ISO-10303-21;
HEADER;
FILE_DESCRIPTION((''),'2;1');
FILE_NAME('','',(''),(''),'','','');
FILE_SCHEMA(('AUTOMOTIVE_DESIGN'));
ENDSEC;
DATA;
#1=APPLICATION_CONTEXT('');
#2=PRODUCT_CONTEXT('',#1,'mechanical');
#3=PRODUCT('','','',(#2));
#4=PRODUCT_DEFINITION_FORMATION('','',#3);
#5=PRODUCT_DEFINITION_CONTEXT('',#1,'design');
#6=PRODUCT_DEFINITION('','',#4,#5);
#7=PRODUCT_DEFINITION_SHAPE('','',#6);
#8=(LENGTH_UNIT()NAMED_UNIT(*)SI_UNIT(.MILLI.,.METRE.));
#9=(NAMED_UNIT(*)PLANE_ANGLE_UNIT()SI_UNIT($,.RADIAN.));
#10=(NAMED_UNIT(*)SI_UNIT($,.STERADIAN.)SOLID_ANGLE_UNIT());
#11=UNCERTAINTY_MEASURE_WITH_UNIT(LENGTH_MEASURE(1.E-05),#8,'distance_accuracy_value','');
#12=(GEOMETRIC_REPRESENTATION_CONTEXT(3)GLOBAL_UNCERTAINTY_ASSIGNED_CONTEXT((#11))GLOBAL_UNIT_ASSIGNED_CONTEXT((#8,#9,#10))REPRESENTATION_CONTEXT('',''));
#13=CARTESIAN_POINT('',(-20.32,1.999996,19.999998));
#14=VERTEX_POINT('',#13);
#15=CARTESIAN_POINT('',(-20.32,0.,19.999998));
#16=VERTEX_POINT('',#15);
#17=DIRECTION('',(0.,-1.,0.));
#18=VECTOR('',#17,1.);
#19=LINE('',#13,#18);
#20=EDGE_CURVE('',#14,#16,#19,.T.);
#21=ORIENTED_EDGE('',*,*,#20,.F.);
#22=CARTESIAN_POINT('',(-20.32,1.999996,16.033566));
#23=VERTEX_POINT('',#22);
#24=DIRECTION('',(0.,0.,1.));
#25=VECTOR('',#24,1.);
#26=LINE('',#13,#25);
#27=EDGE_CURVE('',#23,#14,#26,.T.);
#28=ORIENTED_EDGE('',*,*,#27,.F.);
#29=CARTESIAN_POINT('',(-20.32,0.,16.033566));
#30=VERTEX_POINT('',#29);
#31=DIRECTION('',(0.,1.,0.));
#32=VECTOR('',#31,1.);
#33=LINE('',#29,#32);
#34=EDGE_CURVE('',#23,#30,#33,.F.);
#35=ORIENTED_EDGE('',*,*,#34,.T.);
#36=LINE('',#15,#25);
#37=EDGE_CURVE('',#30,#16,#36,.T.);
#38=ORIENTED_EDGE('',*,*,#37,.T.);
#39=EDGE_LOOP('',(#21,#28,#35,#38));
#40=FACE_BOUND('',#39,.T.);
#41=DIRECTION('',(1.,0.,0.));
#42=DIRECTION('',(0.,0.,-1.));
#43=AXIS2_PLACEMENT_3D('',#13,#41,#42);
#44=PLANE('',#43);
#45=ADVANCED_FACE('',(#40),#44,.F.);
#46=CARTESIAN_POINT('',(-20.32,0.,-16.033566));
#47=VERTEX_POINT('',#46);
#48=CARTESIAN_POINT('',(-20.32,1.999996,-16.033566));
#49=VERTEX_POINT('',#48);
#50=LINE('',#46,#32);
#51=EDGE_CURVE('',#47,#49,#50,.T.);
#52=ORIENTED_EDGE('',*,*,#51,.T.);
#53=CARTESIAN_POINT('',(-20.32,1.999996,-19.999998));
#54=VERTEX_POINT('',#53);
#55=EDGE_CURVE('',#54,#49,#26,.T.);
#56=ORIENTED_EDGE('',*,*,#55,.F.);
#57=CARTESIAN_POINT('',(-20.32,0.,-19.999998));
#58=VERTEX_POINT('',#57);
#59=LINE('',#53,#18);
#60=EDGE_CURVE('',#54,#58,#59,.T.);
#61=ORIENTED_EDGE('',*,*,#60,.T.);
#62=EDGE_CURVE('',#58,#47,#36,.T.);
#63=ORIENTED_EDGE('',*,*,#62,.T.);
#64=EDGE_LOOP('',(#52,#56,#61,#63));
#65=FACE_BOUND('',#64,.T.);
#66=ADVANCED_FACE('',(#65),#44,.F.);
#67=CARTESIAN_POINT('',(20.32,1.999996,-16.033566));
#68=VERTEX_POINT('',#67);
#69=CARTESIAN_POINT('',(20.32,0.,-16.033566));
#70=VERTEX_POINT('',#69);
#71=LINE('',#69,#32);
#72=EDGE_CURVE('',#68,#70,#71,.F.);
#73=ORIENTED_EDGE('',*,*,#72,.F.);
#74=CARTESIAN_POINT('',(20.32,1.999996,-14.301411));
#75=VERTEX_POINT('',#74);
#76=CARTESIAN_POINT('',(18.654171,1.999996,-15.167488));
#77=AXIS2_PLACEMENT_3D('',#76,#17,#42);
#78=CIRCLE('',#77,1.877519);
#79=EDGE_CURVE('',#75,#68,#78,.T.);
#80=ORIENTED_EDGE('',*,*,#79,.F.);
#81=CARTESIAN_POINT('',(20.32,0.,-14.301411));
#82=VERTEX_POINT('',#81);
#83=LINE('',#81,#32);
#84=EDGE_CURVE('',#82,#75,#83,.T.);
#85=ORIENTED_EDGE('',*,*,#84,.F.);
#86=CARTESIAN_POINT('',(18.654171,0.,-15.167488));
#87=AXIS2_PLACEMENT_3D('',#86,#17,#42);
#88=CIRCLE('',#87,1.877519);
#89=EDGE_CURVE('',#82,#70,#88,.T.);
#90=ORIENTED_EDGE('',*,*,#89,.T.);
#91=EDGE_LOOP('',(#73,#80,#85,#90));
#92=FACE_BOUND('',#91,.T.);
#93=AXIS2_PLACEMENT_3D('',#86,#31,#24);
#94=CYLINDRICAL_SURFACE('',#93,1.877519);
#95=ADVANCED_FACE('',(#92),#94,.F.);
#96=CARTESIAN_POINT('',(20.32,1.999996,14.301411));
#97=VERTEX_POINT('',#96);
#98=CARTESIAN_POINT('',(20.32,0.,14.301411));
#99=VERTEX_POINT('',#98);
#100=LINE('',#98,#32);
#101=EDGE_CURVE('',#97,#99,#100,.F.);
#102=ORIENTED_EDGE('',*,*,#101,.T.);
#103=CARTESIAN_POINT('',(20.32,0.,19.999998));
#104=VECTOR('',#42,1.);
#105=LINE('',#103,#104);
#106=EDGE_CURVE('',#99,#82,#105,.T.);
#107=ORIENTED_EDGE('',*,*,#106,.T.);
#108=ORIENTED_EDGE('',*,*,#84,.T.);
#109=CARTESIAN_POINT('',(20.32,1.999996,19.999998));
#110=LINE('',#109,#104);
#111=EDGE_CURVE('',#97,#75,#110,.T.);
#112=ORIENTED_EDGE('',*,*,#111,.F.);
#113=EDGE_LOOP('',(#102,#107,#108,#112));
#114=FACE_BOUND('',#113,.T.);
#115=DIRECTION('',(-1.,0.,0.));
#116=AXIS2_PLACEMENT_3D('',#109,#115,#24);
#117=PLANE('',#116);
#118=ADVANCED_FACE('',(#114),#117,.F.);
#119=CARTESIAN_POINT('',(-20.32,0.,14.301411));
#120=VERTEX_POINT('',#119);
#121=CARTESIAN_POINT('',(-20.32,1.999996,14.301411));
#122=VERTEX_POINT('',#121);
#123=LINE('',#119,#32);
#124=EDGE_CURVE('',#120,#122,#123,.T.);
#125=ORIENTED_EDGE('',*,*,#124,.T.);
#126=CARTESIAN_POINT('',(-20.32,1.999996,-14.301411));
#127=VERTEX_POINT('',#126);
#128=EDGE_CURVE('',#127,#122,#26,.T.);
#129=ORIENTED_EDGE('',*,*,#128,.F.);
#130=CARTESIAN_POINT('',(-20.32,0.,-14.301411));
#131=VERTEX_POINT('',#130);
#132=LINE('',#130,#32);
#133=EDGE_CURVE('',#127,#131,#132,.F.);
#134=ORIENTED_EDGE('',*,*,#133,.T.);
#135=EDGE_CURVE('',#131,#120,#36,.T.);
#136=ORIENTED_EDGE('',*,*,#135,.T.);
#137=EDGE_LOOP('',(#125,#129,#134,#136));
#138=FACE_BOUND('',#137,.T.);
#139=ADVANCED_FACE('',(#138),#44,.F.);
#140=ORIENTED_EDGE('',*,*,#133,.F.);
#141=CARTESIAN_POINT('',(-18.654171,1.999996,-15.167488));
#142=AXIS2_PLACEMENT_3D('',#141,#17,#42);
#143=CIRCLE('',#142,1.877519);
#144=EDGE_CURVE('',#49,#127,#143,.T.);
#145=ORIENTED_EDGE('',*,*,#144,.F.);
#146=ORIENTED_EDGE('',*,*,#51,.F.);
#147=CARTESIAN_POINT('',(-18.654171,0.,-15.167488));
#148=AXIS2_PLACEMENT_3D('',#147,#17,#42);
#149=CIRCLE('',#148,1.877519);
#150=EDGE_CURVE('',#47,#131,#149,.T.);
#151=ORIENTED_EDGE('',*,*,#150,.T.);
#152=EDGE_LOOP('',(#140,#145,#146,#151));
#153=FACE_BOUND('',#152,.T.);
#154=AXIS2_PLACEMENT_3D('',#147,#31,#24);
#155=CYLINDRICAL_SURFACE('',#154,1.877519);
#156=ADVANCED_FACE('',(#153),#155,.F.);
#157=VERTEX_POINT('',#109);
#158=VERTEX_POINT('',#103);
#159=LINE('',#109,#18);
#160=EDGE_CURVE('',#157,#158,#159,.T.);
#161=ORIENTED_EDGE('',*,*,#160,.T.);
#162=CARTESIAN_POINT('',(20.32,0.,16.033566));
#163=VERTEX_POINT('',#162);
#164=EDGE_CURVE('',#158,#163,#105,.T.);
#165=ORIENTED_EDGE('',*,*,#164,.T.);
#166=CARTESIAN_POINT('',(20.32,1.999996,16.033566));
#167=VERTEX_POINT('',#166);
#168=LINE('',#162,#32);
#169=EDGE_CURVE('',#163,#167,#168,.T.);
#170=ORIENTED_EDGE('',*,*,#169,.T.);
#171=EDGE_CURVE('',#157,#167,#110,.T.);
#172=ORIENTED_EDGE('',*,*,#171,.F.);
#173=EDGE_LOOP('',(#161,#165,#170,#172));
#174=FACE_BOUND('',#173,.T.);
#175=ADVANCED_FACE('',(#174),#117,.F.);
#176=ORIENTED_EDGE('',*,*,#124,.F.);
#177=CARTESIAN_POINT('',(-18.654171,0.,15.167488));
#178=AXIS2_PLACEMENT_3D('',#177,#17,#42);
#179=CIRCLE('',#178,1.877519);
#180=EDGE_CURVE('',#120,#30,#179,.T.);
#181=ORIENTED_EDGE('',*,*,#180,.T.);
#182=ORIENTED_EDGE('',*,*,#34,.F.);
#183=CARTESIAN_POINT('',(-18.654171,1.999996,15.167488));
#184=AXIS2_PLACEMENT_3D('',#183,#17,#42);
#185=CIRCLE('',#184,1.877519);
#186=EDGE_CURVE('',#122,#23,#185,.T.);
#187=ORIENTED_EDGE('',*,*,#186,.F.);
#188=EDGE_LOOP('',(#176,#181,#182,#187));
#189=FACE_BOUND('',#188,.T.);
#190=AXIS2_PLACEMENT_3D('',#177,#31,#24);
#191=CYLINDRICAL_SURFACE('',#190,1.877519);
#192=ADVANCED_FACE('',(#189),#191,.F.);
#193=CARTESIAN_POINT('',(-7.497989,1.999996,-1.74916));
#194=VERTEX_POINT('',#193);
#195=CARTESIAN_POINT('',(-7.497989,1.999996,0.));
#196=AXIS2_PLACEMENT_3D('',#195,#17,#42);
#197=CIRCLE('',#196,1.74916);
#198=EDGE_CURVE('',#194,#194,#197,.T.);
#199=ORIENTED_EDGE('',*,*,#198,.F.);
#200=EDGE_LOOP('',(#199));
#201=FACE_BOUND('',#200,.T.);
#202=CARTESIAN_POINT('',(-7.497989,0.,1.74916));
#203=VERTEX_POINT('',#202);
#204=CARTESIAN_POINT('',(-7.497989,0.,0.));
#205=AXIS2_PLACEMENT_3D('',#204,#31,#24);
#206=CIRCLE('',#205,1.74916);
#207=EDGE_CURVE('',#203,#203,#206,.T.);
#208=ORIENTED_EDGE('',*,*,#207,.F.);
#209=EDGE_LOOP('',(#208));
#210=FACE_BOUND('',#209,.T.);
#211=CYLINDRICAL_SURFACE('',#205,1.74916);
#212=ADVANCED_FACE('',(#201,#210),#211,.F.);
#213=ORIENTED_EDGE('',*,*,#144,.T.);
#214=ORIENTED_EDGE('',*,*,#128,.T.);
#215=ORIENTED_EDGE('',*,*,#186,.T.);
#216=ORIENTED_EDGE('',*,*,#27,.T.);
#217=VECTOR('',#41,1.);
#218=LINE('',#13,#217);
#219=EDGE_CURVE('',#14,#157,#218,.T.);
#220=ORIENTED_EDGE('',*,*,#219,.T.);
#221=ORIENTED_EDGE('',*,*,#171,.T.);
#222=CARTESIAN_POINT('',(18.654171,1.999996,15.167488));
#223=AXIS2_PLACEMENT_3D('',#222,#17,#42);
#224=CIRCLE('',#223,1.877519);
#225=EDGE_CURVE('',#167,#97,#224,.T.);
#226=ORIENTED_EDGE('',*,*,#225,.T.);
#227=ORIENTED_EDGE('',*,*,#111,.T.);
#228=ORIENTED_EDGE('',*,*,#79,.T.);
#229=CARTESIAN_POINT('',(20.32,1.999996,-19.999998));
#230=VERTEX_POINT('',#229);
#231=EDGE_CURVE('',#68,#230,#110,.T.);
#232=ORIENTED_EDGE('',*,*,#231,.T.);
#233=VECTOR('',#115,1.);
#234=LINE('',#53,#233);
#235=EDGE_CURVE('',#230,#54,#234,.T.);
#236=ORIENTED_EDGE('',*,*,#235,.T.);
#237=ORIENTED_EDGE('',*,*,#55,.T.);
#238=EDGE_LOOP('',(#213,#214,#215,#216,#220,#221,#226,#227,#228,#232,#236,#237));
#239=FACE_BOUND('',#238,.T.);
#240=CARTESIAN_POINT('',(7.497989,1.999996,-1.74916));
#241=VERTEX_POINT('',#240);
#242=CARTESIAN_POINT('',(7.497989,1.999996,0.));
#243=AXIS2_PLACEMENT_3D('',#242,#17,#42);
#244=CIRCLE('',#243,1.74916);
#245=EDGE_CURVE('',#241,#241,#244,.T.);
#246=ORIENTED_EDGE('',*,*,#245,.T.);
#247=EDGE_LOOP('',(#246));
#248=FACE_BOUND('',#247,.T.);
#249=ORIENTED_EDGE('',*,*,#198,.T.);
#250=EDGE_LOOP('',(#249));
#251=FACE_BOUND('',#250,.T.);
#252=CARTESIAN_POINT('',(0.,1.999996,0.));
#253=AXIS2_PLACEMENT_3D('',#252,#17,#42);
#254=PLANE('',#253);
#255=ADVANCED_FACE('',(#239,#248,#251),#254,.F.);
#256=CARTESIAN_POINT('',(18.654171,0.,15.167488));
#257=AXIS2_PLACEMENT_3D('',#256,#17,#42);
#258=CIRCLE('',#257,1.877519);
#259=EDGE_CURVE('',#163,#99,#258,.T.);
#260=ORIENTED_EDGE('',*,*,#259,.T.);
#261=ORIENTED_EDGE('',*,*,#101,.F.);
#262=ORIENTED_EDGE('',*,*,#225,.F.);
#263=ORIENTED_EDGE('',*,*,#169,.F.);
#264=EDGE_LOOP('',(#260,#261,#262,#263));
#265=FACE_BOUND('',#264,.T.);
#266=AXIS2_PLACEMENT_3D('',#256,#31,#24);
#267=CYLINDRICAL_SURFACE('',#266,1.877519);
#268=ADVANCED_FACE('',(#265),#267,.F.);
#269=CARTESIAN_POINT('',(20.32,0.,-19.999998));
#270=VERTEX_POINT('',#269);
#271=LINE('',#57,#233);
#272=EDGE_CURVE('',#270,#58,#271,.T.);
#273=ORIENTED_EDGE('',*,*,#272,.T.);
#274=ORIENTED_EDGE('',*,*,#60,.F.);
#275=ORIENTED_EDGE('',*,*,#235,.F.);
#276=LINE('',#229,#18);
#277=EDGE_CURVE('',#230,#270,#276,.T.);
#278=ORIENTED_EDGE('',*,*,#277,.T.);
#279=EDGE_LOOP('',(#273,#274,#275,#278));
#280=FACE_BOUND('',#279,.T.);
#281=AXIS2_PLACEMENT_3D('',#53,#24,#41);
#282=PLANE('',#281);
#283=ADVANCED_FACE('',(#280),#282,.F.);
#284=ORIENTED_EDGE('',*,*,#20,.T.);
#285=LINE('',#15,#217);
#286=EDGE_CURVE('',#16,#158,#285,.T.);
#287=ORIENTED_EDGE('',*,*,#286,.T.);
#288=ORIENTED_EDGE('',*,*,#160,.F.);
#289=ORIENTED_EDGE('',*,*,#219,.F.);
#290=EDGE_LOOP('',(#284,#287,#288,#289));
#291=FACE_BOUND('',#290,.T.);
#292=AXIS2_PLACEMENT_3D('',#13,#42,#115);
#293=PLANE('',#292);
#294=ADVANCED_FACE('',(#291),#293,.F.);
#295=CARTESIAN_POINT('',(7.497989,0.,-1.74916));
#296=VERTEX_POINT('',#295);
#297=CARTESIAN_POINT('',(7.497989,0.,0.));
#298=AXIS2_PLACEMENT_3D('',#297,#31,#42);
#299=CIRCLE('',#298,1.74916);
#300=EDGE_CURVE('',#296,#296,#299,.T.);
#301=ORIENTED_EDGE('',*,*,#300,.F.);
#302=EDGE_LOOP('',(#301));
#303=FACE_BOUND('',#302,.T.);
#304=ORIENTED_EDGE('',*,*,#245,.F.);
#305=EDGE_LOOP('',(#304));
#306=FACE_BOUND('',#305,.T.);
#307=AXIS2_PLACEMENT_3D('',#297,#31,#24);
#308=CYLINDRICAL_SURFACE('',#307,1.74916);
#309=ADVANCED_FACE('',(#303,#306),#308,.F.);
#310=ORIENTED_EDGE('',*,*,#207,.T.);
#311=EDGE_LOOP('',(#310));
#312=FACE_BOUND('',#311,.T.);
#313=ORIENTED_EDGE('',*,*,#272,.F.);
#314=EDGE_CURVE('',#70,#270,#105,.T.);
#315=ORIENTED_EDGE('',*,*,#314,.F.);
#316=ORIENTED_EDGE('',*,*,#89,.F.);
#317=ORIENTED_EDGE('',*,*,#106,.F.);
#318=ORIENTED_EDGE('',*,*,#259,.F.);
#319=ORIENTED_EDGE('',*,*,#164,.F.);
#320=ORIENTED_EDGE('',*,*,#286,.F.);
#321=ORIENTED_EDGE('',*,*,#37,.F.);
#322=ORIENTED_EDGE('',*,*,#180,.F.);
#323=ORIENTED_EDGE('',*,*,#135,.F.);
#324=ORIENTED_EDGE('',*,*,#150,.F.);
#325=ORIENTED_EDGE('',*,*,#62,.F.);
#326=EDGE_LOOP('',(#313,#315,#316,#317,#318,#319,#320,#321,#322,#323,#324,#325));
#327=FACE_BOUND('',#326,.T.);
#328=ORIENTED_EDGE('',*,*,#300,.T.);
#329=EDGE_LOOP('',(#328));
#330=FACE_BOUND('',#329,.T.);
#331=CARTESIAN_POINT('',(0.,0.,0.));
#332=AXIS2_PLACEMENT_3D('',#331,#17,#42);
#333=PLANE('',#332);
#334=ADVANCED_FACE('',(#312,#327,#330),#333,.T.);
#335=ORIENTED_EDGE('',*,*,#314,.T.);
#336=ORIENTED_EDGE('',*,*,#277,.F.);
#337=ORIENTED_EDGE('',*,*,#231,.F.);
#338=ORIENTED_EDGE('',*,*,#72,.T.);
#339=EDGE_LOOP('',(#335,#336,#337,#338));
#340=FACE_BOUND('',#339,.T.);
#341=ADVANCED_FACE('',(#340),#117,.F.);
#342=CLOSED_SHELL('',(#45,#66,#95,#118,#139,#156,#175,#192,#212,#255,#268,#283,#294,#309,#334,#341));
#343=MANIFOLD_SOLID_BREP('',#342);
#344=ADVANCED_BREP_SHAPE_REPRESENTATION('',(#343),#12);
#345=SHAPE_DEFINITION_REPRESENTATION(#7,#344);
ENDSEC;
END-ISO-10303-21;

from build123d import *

# Parameters (mm, degrees)
SKETCH1_W               = 40.64
SKETCH1_H               = 39.9999962
BOSS_EXTRUDE1_DEPTH     = 1.999996
CUT_EXTRUDE1_DEPTH      = 29.5815029
CUT_EXTRUDE1_DEPTH_BACK = 29.5815029
SKETCH2_R               = 1.877518959
SKETCH2_R_2             = 1.749160226


with BuildPart() as part:
    # Sketch1 → Boss-Extrude1 (new body)
    with BuildSketch(Plane(origin=(0, 0, 0), x_dir=(1, 0, 0), z_dir=(0, 1, 0))):
        Rectangle(SKETCH1_W, SKETCH1_H)
    extrude(amount=BOSS_EXTRUDE1_DEPTH)

    # Sketch2 → Cut-Extrude1 (cut, two sides: drawn at the far end of the back side and taken through both)
    with BuildSketch(Plane(origin=(0, 1.999996, 0), x_dir=(1, 0, 0), z_dir=(0, 1, 0)).offset(-CUT_EXTRUDE1_DEPTH_BACK)):
        with Locations((-18.654170648, 15.167488224)):
            Circle(SKETCH2_R)
        with Locations((-18.654170648, -15.167488224)):
            Circle(SKETCH2_R)
        with Locations((18.654170648, -15.167488224)):
            Circle(SKETCH2_R)
        with Locations((18.654170648, 15.167488224)):
            Circle(SKETCH2_R)
        with Locations(Location((-7.497989174, 0, 0), (0, 0, 270))):
            Circle(SKETCH2_R_2)
        with Locations(Location((7.497989174, 0, 0), (0, 0, 90))):
            Circle(SKETCH2_R_2)
    extrude(amount=CUT_EXTRUDE1_DEPTH + CUT_EXTRUDE1_DEPTH_BACK, mode=Mode.SUBTRACT)


solid = part.part
